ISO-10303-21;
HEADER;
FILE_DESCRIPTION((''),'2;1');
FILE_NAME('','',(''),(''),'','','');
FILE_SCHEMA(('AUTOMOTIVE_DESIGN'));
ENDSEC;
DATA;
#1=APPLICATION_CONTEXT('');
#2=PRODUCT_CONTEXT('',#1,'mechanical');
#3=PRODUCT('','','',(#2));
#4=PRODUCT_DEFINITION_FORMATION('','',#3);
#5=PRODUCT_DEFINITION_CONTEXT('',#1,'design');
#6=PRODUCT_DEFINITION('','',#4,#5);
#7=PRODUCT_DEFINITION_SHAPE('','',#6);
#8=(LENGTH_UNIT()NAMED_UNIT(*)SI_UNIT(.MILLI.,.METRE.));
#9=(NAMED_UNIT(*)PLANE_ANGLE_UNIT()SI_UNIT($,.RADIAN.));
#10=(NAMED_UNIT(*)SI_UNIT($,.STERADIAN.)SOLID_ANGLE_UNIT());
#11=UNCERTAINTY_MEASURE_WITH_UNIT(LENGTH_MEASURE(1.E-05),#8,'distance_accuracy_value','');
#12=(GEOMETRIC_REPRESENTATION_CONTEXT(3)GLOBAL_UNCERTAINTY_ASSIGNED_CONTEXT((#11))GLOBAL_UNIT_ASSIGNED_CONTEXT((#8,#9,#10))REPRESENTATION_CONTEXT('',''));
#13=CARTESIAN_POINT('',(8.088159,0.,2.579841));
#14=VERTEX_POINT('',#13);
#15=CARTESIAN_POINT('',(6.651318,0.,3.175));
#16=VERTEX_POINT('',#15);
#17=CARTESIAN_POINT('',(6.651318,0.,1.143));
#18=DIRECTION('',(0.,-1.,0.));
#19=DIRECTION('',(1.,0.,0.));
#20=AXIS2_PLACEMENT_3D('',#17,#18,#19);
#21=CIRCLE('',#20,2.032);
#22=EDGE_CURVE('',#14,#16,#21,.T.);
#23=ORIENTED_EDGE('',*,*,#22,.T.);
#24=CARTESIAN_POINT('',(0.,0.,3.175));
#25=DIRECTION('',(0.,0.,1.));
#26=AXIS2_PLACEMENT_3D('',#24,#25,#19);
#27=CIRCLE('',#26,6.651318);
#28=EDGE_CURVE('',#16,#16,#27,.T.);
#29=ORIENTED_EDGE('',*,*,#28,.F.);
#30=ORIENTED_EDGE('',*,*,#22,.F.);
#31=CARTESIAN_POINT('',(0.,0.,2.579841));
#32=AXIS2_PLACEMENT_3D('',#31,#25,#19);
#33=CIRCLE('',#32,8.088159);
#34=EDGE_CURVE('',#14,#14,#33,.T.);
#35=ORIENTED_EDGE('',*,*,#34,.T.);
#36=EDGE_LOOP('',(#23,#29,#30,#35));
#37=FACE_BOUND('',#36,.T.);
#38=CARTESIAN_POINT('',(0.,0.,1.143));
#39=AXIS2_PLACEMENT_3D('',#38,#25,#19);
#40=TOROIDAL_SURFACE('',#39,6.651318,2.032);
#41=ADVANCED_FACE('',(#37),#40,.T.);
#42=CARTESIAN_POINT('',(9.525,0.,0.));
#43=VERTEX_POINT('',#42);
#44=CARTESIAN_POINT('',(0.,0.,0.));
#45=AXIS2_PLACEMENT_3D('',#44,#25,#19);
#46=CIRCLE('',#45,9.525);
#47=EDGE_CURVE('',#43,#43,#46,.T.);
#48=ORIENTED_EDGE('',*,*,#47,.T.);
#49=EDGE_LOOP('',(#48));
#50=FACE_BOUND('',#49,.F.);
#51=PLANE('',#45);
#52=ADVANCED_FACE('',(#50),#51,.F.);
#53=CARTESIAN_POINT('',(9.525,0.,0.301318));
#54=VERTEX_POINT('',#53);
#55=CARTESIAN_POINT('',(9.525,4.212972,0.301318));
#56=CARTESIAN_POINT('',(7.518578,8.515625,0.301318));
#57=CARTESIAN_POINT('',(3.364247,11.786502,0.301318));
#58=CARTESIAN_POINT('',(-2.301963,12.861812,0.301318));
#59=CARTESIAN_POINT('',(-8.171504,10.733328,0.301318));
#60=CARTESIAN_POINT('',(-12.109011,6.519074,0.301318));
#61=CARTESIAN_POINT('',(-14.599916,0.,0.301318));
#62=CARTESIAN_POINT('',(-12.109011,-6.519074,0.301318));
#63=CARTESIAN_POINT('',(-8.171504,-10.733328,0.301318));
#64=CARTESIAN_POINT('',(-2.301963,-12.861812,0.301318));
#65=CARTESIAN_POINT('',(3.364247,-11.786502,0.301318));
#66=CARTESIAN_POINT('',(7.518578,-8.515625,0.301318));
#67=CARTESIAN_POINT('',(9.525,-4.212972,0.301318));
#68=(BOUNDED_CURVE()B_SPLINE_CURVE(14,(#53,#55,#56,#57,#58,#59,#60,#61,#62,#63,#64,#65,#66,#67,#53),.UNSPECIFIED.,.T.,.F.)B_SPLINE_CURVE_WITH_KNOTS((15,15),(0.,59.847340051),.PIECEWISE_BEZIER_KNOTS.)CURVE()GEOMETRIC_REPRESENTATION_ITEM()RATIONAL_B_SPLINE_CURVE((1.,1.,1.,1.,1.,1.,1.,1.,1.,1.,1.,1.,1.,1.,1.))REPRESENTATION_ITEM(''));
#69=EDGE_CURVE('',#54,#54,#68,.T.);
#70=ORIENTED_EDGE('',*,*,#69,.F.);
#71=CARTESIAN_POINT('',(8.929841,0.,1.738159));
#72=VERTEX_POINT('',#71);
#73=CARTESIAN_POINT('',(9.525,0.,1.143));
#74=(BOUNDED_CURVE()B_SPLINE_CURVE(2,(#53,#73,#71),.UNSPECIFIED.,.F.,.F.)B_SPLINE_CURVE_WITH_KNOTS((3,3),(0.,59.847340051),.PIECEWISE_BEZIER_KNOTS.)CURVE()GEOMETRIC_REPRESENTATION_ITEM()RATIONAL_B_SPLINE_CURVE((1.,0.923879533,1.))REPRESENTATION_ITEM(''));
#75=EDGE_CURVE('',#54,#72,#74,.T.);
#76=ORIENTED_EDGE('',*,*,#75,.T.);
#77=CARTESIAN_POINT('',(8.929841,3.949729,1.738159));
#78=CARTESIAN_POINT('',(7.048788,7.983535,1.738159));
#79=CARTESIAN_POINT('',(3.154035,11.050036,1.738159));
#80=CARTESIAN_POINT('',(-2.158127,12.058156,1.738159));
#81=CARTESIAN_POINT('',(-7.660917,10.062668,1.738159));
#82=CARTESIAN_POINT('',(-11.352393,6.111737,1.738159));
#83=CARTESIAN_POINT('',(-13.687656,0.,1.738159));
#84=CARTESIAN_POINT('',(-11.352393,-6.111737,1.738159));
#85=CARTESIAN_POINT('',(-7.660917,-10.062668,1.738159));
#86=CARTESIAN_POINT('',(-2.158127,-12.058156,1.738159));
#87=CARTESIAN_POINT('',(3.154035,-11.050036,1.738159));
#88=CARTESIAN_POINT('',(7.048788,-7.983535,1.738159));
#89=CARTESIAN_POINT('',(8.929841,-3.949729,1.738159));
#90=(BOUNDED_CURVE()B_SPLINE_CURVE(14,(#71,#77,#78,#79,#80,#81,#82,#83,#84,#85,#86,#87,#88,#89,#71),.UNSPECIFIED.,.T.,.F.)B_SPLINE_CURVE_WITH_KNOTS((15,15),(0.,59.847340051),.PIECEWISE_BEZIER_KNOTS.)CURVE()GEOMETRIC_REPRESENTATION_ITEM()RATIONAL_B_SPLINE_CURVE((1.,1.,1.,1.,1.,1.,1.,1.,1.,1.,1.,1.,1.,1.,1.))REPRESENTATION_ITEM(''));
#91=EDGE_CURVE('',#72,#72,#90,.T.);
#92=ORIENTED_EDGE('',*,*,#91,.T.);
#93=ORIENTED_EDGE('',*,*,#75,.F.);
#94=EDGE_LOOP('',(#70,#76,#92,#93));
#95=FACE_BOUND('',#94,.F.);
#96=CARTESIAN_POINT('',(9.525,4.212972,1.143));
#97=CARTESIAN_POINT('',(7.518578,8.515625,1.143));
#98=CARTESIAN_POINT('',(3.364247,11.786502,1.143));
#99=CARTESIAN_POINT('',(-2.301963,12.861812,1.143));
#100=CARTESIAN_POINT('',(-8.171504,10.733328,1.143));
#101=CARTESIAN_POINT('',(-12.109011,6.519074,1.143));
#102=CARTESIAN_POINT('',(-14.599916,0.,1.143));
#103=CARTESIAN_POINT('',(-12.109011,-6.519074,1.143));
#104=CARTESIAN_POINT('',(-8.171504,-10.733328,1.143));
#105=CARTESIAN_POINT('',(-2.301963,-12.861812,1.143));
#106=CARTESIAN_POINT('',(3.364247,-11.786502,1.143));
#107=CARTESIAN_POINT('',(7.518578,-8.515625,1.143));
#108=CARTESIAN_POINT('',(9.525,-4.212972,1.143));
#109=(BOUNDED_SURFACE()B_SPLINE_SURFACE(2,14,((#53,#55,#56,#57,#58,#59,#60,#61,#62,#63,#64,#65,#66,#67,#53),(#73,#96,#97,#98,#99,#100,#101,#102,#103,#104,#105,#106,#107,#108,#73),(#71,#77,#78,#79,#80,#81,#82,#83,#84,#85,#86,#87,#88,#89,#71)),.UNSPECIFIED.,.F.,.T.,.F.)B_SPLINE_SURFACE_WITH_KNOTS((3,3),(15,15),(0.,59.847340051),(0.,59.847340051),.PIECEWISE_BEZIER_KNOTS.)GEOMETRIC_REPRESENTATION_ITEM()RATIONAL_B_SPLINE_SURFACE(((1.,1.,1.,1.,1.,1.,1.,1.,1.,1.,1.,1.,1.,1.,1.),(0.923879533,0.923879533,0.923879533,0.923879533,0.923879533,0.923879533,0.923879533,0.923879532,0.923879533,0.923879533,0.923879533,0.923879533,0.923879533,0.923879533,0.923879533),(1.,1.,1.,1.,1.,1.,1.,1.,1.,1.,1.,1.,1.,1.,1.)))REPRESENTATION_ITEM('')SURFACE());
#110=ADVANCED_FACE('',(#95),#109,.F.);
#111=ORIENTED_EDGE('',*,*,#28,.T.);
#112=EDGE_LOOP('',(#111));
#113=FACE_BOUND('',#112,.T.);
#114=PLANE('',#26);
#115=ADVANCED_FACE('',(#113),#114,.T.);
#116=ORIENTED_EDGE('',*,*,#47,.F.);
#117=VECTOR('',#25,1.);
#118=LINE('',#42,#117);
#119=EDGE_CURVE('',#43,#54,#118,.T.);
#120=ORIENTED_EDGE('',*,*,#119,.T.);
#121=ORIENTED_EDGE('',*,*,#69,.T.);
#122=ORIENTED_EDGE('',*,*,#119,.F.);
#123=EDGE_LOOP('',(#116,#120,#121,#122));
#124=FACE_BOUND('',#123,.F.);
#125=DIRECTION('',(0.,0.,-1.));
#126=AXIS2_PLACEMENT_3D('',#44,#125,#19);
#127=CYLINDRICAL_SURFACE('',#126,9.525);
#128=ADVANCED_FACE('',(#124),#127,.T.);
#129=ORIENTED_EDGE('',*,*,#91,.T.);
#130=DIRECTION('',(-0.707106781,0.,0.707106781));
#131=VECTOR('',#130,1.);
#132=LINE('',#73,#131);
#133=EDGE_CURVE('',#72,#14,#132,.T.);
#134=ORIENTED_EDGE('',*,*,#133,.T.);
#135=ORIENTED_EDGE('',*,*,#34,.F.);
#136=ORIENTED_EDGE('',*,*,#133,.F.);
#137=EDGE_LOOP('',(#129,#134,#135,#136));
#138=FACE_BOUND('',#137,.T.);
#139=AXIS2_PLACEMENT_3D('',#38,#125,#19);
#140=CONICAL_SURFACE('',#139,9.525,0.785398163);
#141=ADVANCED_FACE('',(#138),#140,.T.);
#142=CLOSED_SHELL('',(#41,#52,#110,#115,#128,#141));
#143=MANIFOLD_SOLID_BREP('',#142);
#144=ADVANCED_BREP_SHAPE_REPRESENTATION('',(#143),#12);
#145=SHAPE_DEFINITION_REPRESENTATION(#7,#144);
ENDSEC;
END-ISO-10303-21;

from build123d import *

# Parameters (mm, degrees)
F0_R     = 9.525
F1_DEPTH = 3.175
F2_SIZE  = 2.032
F3_R     = 2.032


with BuildPart() as f1:
    # F0 (on Top) → F1 (new body)
    with BuildSketch(Plane.XY):
        Circle(F0_R)
    extrude(amount=F1_DEPTH)

    # F2
    f2_edges = [f1.edges().sort_by_distance(p)[0] for p in [
        (-9.525, 0, 3.175),
    ]]
    chamfer(f2_edges, length=F2_SIZE)

    # F3
    f3_edges = [f1.edges().sort_by_distance(p)[0] for p in [
        (-7.493, 0, 3.175),
        (-9.525, 0, 1.143),
    ]]
    fillet(f3_edges, radius=F3_R)


solid = f1.part
